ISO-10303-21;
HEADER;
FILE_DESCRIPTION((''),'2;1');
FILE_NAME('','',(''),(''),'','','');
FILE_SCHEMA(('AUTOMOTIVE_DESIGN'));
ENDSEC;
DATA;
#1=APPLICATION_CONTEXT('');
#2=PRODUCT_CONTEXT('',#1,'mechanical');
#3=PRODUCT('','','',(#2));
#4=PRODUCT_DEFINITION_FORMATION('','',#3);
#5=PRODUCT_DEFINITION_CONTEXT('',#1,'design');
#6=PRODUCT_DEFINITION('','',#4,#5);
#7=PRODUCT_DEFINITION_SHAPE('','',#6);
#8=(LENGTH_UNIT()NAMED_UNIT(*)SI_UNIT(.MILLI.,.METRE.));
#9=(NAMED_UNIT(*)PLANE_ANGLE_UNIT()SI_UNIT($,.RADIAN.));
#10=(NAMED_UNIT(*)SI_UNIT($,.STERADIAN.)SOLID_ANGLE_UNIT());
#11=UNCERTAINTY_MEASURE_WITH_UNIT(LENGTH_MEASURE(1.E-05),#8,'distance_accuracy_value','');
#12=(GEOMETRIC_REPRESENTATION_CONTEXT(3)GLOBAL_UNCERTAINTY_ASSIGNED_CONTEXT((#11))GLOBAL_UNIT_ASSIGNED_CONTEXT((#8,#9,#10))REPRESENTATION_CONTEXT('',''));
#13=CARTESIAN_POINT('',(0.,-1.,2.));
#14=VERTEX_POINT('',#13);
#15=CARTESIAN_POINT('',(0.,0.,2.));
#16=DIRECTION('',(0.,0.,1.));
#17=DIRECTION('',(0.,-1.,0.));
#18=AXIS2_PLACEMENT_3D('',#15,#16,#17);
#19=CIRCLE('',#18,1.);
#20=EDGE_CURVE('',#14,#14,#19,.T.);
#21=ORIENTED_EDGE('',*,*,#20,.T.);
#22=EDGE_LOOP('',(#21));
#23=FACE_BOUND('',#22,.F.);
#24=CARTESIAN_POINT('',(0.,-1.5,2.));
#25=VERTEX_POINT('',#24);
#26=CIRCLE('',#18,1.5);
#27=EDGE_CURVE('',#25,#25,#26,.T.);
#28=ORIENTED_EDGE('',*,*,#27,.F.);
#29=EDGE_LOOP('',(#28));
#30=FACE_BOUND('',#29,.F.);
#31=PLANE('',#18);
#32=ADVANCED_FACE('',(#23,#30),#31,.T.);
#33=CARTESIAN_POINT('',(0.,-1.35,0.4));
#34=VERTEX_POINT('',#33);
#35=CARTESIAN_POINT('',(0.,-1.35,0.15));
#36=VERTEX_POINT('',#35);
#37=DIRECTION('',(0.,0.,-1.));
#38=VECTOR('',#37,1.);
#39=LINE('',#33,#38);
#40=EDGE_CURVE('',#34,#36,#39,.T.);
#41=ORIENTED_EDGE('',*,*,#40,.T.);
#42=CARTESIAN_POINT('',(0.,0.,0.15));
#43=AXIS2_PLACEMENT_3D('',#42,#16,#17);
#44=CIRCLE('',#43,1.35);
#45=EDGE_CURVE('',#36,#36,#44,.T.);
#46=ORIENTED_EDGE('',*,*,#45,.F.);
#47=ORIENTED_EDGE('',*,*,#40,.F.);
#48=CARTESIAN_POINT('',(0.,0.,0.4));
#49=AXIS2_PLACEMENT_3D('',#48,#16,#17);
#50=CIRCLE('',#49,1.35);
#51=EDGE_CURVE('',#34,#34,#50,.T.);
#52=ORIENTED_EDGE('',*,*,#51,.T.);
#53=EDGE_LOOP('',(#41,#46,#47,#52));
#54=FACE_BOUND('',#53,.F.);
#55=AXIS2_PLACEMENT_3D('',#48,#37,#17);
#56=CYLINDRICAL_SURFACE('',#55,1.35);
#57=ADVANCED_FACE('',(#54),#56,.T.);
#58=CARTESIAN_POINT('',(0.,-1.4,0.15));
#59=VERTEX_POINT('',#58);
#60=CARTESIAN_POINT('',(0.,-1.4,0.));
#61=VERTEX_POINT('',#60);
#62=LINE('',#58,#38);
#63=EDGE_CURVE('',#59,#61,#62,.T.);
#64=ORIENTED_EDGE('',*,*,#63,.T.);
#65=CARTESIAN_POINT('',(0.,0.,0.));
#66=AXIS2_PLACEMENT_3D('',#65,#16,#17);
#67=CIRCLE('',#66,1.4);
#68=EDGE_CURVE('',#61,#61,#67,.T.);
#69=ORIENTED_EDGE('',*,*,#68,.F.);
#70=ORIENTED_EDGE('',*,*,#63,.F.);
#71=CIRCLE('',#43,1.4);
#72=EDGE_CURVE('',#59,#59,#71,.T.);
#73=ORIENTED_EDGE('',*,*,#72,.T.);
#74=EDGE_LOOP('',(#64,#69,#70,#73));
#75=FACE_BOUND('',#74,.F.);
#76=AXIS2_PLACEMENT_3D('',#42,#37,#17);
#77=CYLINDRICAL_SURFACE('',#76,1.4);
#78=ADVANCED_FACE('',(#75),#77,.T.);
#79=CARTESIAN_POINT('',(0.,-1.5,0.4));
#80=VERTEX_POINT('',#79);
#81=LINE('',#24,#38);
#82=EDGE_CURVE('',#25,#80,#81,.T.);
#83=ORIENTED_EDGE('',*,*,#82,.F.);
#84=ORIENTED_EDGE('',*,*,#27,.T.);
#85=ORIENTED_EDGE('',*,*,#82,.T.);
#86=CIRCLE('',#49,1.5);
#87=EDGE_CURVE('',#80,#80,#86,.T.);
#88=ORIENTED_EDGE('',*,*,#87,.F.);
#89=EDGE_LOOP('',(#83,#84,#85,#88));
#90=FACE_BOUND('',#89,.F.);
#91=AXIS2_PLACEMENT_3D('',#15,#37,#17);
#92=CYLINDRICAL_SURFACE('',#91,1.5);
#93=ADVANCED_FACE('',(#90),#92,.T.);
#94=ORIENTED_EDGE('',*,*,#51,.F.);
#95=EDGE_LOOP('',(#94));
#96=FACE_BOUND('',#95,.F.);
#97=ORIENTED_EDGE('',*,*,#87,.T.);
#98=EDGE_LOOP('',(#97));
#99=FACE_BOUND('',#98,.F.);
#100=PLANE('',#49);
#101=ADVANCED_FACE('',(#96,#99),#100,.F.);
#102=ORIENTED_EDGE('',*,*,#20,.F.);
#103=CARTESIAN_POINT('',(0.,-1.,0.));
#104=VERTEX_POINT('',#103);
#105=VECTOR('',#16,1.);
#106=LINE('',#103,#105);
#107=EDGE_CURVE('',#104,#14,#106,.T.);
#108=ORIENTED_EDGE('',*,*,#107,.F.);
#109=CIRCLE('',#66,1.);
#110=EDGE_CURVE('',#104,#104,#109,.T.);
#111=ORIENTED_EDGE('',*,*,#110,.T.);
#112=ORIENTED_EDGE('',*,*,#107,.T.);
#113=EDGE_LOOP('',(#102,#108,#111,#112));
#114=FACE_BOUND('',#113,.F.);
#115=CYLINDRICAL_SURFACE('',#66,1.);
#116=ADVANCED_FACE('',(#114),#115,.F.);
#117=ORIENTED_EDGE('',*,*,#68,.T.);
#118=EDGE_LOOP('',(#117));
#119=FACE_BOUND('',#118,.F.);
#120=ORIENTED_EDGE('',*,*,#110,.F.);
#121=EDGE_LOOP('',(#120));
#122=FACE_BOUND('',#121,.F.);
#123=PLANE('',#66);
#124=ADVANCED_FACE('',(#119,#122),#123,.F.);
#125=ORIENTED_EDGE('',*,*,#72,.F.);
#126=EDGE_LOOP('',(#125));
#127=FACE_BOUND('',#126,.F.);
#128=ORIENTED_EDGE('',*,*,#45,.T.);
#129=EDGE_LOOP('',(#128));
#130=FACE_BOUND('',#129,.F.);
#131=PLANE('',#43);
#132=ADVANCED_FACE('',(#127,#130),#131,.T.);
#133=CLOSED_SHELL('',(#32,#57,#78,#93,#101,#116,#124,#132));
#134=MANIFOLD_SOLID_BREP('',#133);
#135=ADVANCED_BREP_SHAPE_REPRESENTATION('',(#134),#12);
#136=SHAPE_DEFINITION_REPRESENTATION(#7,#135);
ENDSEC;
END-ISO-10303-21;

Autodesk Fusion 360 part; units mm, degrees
sketch "Sketch1" plane through (0, 0, 0) normal (1, 0, 0) x (0, 1, 0)
  line L0 (-1, 2) -> (-1.5, 2)
  line L1 (-1.5, 2) -> (-1.5, 0.4)
  line L2 (-1.5, 0.4) -> (-1.35, 0.4)
  line L3 (-1.35, 0.4) -> (-1.35, 0.15)
  line L4 (-1.35, 0.15) -> (-1.4, 0.15)
  line L5 (-1.4, 0.15) -> (-1.4, 0)
  line L6 (-1.4, 0) -> (-1, 0)
  line L7 (-1, 0) -> (-1, 2)
  dimension "d1" = 1
  dimension "d2" = 1.5
  dimension "d4" = 2
  dimension "d5" = 0.15
  dimension "d6" = 0.15
  dimension "d7" = 0.05
  dimension "d8" = 0.4
revolve "Revolve1" add sketch "Sketch1" angle 360 about axis through (0, 0, 1.75) along (0, 0, 1)
